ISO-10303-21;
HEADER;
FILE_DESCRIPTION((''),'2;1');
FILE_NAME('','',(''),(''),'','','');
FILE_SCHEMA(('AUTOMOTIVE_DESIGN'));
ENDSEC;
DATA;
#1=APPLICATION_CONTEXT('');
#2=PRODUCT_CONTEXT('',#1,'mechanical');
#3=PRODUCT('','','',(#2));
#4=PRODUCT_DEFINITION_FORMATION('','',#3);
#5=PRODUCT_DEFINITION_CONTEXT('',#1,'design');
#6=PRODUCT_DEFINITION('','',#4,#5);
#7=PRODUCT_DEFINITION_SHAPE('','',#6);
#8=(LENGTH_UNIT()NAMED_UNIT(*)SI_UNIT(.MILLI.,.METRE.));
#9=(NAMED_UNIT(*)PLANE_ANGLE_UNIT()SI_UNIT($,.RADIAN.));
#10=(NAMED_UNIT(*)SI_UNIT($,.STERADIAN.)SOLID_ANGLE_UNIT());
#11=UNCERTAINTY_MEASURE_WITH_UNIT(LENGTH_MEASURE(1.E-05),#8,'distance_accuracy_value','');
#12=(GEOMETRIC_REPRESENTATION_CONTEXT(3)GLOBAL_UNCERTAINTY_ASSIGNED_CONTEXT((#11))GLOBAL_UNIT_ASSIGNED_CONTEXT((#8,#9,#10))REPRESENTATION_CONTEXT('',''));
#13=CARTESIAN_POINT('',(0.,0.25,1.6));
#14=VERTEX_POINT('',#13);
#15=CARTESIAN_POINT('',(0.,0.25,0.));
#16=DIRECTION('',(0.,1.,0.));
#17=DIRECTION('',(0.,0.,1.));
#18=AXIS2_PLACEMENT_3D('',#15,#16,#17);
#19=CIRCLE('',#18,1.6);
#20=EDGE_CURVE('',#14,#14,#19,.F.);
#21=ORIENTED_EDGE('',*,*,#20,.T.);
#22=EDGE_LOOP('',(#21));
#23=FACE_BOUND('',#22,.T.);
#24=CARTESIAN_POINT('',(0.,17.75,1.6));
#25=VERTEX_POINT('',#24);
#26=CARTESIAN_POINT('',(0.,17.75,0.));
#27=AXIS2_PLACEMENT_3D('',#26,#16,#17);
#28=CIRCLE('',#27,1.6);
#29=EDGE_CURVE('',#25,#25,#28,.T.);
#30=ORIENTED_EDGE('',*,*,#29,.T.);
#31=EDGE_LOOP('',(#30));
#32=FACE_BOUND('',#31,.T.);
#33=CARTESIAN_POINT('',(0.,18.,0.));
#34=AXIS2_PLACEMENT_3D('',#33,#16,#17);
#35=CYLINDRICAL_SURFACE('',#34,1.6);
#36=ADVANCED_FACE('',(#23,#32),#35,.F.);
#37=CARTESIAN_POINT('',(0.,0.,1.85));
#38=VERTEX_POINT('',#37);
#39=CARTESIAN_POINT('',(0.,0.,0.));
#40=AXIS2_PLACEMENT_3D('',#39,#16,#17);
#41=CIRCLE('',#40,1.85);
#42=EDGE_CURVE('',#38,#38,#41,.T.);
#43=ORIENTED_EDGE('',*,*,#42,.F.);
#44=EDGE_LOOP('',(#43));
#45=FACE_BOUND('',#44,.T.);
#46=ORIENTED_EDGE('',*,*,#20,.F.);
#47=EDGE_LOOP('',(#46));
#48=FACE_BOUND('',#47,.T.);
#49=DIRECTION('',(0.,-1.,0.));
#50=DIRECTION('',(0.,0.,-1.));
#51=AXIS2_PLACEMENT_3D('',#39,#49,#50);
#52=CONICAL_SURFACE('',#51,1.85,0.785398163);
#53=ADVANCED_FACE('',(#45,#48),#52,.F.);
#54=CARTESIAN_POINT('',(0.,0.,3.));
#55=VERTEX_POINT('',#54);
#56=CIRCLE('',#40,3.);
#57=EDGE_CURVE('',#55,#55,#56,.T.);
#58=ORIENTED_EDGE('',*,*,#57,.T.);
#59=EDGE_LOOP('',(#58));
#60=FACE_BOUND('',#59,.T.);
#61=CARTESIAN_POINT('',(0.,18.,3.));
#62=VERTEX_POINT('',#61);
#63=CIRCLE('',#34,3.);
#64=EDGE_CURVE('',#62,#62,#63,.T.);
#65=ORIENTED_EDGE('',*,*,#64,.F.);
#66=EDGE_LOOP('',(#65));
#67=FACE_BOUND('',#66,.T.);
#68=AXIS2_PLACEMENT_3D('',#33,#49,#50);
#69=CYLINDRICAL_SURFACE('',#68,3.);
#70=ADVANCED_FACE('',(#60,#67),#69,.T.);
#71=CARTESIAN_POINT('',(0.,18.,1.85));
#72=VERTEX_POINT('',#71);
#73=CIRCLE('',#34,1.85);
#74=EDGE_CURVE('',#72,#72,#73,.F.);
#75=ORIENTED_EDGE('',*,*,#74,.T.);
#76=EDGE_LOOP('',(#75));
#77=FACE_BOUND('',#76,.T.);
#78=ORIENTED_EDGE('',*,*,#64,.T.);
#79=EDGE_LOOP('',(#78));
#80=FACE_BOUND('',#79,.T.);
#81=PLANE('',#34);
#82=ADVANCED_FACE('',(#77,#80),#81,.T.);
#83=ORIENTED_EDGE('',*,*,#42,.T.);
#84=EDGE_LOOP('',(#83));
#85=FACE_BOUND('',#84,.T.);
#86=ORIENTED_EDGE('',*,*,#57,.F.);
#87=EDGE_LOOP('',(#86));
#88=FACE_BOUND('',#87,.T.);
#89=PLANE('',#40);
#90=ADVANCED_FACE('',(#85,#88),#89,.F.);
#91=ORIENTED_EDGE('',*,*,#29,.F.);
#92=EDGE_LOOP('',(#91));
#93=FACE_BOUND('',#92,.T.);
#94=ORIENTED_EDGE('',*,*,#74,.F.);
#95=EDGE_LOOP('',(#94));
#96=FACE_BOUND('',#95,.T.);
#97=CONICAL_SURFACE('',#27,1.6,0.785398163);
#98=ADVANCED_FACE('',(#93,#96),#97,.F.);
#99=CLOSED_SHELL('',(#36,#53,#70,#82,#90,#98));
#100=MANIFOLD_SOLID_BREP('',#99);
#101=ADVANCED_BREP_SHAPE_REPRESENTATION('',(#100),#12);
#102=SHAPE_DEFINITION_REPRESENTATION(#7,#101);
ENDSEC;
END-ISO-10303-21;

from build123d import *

# Parameters (mm, degrees)
SKETCH1_R            = 3
BOSS_EXTRUDE1_DEPTH  = 18
M3_CLEARANCE_HOLE1_D = 3.2
CHAMFER1_SIZE        = 0.25


with BuildPart() as part:
    # Sketch1 → Boss-Extrude1 (new body)
    with BuildSketch(Plane(origin=(0, 0, 0), x_dir=(1, 0, 0), z_dir=(0, 1, 0))):
        with Locations(Location((0, 0, 0), (0, 0, 270))):
            Circle(SKETCH1_R)
    extrude(amount=BOSS_EXTRUDE1_DEPTH)

    # M3 Clearance Hole1 (through all)
    with Locations(Plane(origin=(0, 18, 0), x_dir=(1, 0, 0), z_dir=(0, 1, 0))):
        with Locations((0, 0)):
            Hole(M3_CLEARANCE_HOLE1_D / 2)

    # Chamfer1
    chamfer1_edges = [part.edges().sort_by_distance(p)[0] for p in [
        (1.6, 18, 0),
        (1.6, 0, 0),
    ]]
    chamfer(chamfer1_edges, length=CHAMFER1_SIZE)


solid = part.part
